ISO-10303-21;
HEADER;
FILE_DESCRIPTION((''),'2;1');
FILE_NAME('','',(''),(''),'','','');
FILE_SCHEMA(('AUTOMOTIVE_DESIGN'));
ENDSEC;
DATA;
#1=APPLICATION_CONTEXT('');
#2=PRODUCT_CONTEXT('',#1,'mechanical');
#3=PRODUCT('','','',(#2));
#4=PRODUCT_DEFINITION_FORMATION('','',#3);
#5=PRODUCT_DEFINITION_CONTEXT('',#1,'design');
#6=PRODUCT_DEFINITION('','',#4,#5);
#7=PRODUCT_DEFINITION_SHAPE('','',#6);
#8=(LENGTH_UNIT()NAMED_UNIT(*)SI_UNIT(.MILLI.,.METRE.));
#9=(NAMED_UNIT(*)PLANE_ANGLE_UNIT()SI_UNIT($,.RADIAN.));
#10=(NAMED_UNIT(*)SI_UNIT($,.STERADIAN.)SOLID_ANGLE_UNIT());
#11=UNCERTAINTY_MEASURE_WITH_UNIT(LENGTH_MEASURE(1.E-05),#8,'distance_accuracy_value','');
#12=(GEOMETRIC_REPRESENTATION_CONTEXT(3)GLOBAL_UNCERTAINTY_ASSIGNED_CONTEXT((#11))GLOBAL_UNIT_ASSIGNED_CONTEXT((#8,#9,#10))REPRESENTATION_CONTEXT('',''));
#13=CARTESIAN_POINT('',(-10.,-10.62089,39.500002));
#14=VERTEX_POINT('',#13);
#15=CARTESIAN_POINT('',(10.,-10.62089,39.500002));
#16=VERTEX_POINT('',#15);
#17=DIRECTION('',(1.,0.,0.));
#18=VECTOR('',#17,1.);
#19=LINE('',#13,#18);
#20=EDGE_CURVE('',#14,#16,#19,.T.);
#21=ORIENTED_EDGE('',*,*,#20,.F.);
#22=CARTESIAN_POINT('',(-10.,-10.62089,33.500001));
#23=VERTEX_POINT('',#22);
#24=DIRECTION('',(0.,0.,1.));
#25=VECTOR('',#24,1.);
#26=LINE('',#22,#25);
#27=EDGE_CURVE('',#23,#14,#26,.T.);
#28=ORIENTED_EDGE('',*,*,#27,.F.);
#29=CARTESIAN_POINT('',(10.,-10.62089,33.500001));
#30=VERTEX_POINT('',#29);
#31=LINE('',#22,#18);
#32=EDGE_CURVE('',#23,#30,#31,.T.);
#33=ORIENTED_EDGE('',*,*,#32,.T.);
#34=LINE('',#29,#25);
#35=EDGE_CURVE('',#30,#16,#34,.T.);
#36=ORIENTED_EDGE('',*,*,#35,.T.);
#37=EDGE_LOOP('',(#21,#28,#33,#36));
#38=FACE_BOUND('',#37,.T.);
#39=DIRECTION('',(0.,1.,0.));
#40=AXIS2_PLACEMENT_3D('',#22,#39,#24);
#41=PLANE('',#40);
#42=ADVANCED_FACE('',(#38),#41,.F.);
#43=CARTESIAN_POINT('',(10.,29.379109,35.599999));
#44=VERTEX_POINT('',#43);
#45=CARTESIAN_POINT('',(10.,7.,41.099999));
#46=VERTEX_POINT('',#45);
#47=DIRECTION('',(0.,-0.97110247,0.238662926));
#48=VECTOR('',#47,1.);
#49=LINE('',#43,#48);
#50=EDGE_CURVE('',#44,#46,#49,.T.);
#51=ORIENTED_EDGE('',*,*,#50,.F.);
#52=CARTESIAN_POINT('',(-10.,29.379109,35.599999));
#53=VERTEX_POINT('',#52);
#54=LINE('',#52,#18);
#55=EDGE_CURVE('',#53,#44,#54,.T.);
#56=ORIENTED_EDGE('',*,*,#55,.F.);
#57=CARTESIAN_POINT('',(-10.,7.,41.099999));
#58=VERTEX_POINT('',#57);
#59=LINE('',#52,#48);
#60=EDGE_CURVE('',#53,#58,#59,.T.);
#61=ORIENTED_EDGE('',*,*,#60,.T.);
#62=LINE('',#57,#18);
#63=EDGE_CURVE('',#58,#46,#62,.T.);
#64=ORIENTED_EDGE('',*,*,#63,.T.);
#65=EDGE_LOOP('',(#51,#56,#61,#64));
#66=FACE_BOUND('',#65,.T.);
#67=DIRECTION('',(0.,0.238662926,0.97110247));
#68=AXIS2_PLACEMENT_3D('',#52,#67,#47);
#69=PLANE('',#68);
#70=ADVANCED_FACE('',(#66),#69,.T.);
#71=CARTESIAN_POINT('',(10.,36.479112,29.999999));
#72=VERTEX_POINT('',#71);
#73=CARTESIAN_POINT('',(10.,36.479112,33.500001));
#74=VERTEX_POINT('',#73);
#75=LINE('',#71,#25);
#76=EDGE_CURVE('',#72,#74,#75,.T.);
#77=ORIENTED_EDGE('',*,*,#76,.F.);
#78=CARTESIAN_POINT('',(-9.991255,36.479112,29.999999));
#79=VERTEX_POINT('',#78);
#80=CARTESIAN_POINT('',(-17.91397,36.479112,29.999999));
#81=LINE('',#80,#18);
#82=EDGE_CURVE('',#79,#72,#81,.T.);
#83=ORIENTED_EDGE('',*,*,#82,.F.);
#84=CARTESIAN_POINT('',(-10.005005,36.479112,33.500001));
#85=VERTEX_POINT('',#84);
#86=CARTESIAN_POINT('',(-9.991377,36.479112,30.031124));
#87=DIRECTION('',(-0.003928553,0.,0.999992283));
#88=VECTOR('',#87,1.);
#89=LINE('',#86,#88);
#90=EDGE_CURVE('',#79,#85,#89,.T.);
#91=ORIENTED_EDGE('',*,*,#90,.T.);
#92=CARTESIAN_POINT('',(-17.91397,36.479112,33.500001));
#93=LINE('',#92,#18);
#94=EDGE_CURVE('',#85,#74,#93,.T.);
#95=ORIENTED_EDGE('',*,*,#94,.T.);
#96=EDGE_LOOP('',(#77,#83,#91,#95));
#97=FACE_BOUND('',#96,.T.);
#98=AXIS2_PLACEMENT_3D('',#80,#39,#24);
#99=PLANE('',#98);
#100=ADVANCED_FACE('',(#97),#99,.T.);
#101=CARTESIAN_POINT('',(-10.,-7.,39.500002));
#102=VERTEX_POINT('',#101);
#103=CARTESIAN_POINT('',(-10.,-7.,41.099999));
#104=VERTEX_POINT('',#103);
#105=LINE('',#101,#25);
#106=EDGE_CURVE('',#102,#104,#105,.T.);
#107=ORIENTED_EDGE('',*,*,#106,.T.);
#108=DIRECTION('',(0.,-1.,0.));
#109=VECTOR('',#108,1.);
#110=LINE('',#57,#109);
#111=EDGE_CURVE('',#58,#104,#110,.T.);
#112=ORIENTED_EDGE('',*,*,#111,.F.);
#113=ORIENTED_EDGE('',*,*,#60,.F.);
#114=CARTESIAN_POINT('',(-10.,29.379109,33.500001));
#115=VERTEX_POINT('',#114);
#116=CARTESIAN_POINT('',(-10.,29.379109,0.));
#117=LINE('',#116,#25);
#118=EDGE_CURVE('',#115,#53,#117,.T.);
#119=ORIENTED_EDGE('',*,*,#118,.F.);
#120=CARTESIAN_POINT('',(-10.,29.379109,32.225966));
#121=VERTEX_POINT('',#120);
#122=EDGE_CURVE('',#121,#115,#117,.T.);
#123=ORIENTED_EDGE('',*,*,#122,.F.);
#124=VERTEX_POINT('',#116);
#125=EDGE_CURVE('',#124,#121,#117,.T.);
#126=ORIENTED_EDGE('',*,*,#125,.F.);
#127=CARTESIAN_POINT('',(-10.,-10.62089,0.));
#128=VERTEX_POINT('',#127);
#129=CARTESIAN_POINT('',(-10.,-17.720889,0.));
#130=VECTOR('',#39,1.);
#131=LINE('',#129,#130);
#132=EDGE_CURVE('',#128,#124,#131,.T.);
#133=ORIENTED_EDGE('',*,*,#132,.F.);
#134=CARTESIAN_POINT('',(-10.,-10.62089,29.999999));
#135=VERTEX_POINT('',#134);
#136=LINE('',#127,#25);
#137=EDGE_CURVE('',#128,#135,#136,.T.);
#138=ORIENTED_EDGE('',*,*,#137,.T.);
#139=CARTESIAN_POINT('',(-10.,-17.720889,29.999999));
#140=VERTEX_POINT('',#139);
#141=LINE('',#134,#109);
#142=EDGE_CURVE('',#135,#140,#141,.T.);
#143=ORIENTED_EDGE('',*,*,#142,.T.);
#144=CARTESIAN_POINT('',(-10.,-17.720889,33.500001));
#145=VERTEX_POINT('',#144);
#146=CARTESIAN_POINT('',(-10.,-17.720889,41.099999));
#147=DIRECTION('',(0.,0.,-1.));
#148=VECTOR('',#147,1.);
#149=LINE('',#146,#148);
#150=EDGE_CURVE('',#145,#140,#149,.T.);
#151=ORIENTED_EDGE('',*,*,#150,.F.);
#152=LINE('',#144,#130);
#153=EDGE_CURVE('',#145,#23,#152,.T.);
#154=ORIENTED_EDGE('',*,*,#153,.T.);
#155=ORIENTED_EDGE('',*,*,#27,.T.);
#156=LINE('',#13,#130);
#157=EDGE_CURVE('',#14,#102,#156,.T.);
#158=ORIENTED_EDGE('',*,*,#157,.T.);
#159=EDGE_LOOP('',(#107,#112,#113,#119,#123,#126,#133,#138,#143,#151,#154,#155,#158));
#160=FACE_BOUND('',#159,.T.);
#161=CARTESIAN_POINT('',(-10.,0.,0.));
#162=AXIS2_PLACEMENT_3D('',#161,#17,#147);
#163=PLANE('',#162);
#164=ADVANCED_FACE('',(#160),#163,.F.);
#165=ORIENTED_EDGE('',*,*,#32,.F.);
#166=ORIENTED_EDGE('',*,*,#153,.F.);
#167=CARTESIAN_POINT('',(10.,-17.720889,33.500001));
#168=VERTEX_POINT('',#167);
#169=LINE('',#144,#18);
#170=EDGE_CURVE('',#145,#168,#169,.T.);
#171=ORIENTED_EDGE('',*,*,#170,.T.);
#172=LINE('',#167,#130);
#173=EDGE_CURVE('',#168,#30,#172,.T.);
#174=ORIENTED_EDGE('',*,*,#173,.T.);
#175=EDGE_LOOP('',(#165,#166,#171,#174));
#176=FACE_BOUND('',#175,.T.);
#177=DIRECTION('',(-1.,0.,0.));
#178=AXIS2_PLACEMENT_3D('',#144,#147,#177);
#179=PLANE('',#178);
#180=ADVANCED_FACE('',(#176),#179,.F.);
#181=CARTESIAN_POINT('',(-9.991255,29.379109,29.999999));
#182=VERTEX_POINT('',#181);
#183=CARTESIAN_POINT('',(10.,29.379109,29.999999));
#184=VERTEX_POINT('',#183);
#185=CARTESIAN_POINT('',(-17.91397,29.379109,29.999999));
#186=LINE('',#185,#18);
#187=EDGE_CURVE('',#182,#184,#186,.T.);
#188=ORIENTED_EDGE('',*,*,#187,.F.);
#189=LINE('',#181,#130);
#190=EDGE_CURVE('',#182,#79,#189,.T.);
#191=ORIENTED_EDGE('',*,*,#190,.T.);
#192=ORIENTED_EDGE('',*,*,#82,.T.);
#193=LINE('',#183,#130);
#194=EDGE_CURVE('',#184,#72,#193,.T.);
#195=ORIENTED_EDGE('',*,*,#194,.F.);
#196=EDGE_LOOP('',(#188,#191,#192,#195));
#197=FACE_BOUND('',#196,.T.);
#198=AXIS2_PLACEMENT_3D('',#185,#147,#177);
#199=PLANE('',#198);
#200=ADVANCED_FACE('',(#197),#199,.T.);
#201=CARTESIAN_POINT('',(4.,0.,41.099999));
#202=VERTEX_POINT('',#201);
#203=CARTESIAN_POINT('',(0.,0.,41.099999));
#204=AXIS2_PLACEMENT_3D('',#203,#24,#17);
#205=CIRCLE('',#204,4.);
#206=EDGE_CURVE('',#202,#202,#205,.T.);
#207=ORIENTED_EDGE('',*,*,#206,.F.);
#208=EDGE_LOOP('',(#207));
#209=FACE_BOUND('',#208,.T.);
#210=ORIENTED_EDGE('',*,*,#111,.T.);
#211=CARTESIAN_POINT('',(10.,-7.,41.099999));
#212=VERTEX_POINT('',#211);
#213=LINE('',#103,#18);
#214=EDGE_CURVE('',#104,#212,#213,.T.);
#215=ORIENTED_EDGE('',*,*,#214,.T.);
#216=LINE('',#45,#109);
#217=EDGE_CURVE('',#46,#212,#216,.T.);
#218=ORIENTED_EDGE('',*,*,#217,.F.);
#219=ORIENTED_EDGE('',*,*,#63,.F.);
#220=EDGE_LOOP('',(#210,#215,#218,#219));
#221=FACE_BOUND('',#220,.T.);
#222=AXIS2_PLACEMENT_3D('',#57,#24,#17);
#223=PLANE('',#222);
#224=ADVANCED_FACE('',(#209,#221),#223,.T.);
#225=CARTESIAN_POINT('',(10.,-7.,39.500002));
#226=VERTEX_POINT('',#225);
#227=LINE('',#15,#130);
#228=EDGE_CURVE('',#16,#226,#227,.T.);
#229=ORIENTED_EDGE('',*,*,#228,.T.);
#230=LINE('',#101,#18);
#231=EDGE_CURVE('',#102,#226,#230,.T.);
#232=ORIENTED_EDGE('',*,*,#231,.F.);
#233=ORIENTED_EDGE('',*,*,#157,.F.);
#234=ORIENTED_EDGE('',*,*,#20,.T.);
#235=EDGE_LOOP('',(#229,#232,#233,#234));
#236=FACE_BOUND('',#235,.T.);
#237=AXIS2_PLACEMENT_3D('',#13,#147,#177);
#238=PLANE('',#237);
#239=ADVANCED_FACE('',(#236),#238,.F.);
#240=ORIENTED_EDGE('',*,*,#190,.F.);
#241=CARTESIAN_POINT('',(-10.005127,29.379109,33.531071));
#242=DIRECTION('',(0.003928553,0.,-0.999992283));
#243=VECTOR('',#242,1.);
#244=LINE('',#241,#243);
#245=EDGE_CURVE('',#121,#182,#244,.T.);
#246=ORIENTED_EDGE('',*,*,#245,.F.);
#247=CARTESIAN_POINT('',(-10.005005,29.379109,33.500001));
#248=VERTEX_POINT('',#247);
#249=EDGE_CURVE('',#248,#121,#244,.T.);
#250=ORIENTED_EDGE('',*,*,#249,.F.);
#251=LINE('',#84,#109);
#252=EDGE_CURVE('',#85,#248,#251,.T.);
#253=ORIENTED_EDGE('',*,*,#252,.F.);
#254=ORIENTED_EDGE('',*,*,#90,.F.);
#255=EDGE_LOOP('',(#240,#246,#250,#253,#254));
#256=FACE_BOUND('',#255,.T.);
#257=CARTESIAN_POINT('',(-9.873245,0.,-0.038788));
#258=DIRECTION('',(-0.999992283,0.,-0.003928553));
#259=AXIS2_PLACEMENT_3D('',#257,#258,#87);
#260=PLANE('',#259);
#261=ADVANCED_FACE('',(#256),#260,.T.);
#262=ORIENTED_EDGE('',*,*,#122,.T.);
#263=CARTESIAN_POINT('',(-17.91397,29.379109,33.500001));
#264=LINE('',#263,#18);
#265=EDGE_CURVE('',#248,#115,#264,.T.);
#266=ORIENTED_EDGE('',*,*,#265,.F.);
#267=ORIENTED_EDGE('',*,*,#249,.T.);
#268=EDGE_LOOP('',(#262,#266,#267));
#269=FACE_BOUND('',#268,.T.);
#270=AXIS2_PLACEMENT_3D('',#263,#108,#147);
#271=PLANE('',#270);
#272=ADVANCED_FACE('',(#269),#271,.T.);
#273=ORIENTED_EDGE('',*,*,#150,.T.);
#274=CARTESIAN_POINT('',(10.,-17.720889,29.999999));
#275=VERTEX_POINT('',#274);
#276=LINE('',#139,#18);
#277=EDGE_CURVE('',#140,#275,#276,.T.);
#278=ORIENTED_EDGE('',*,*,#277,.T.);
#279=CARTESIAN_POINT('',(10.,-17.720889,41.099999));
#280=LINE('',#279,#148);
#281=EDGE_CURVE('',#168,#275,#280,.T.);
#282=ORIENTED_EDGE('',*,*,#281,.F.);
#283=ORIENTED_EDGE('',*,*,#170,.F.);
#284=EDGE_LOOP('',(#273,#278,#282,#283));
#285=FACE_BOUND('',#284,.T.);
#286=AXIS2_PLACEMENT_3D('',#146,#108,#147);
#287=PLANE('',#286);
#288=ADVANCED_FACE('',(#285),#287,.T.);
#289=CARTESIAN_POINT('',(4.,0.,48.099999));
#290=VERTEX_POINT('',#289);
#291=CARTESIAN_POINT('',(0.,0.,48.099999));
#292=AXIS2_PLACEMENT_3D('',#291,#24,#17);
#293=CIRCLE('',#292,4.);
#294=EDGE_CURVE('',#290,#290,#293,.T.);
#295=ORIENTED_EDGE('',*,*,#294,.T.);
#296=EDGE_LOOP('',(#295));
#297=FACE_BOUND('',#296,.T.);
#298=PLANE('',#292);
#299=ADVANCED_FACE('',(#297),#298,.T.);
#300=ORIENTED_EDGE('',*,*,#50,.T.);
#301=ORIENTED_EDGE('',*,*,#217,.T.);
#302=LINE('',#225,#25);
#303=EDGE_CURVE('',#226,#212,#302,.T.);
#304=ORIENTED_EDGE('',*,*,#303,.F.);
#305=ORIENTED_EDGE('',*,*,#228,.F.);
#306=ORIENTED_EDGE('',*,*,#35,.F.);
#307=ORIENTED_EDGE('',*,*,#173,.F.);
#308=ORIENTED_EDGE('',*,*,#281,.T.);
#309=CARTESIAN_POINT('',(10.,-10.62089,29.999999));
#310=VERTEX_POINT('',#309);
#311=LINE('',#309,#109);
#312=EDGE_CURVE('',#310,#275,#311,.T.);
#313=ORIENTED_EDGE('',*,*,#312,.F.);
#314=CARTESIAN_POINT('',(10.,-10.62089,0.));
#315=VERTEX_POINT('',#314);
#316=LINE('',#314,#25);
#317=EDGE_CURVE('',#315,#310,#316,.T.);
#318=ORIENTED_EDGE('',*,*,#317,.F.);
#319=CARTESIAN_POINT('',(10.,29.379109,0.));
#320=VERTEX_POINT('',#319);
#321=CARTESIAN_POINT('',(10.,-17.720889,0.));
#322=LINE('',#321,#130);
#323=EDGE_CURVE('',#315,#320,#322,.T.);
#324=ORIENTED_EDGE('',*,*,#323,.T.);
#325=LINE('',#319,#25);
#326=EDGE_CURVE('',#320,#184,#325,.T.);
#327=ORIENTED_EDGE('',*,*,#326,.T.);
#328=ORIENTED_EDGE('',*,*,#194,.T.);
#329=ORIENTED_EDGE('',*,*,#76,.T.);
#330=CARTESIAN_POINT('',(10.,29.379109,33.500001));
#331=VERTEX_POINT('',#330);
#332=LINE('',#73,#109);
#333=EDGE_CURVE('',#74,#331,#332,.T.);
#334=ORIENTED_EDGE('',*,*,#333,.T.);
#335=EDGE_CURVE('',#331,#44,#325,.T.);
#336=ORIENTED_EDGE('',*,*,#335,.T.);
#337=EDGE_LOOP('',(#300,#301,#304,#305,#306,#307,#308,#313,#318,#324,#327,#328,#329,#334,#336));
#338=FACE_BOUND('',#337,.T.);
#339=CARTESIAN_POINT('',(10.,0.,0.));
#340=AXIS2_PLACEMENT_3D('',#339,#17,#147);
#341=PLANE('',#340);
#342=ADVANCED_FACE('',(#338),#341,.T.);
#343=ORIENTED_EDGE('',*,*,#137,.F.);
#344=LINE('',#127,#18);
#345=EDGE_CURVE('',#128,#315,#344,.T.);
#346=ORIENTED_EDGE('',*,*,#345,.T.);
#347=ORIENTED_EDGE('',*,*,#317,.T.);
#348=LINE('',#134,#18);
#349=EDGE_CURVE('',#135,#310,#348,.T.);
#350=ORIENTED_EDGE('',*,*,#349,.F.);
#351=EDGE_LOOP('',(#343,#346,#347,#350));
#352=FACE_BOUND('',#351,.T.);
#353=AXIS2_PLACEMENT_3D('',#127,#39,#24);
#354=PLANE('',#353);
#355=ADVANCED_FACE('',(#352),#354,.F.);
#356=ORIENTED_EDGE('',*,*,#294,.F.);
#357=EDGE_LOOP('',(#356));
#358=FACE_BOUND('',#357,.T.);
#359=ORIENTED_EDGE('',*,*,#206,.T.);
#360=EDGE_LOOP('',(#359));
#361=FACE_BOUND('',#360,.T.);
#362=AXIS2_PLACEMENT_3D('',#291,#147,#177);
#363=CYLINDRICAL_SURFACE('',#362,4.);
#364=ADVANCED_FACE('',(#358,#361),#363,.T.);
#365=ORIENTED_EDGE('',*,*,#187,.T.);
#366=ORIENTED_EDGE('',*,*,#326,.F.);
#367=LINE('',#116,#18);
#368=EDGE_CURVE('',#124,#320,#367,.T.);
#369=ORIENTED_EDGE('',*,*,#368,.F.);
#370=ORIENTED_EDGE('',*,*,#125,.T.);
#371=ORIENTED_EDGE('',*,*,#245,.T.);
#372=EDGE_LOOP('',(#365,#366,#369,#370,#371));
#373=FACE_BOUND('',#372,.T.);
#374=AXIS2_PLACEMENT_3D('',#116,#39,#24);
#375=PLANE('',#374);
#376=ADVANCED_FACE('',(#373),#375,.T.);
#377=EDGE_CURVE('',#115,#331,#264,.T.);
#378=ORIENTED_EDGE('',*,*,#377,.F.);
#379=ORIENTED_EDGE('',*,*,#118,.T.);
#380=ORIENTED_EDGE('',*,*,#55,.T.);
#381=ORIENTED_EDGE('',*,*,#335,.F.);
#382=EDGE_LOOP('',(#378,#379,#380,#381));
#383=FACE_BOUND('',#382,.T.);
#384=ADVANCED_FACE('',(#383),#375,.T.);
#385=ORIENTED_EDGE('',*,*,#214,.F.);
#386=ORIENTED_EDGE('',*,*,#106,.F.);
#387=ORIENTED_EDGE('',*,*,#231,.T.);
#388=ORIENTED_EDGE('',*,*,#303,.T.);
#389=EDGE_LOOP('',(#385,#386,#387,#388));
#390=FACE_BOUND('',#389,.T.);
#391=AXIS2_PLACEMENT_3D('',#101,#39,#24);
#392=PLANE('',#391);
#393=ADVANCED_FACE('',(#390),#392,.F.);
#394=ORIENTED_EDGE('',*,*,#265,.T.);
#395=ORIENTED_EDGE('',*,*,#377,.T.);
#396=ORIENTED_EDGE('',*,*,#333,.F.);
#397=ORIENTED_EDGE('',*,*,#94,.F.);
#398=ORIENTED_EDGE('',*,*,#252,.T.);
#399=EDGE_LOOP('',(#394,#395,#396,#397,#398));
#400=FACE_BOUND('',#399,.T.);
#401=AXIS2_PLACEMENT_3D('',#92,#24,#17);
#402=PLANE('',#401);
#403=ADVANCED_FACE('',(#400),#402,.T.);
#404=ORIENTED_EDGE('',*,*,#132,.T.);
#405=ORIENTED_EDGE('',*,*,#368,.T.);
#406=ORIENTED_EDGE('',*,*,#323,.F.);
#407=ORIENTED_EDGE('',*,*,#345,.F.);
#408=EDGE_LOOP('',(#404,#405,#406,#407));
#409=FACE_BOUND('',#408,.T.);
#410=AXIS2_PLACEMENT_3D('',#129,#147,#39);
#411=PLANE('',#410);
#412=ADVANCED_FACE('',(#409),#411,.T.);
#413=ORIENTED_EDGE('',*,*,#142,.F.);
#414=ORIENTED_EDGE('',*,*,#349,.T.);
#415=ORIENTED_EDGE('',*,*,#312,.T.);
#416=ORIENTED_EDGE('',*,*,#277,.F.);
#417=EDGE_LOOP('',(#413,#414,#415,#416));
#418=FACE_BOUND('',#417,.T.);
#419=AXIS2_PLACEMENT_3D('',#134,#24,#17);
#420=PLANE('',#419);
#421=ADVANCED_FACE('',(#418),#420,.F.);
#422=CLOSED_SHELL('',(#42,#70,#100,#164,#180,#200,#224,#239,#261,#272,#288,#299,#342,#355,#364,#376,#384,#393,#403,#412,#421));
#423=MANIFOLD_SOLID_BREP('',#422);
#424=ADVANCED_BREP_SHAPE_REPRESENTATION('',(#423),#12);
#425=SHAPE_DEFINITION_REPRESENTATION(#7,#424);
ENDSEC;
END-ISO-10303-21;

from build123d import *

# Parameters (mm, degrees)
BOSS_EXTRUDE1_DEPTH = 19.999999553
SKETCH2_W           = 29.999999329
SKETCH2_H           = 7.099999115
CUT_EXTRUDE1_DEPTH  = 55.335457568
SKETCH3_W           = 7.599998266
SKETCH3_H           = 7.099999115
CUT_EXTRUDE2_DEPTH  = 55.335457568
SKETCH4_W           = 1.599997282
SKETCH4_H           = 3.620889969
CUT_EXTRUDE3_DEPTH  = 55.335457568
BOSS_EXTRUDE2_REACH = 56.335
SKETCH6_W           = 3.500001505
SKETCH6_H           = 7.10000284
SKETCH7_R           = 4
BOSS_EXTRUDE3_DEPTH = 7
MOVE_FACE2_BY       = 6
MOVE_FACE3_BY       = 6


with BuildPart() as part:
    # Sketch1 → Boss-Extrude1 (new body)
    with BuildSketch(Plane(origin=(10, 0, 0), x_dir=(0, 0, -1), z_dir=(1, 0, 0))):
        Polygon((0, 29.379108921), (-35.59999913, 29.379108921), (-41.0999991, 7.000000216), (-41.0999991, -17.7208893), (0, -17.7208893), align=None)
    extrude(amount=-BOSS_EXTRUDE1_DEPTH)

    # Sketch2 → Cut-Extrude1 (cut, through all)
    with BuildSketch(Plane(origin=(10, 0, 0), x_dir=(0, 0, -1), z_dir=(1, 0, 0))):
        with Locations((-14.999999665, -14.170889742)):
            Rectangle(SKETCH2_W, SKETCH2_H)
    extrude(amount=-CUT_EXTRUDE1_DEPTH, mode=Mode.SUBTRACT)

    # Sketch3 → Cut-Extrude2 (cut, through all)
    with BuildSketch(Plane(origin=(10, 0, 0), x_dir=(0, 0, -1), z_dir=(1, 0, 0))):
        with Locations((-37.299999967, -14.170889742)):
            Rectangle(SKETCH3_W, SKETCH3_H)
    extrude(amount=-CUT_EXTRUDE2_DEPTH, mode=Mode.SUBTRACT)

    # Sketch4 → Cut-Extrude3 (cut, through all)
    with BuildSketch(Plane(origin=(10, 0, 0), x_dir=(0, 0, -1), z_dir=(1, 0, 0))):
        with Locations((-40.300000459, -8.810445201)):
            Rectangle(SKETCH4_W, SKETCH4_H)
    extrude(amount=-CUT_EXTRUDE3_DEPTH, mode=Mode.SUBTRACT)

    # Boss-Extrude2: up to this plane
    boss_extrude2_end = Plane(origin=(-9.873244788, 0, -0.038787862), z_dir=(-0.9999922832070416, 0, -0.003928552706520363))
    # Sketch6 → Boss-Extrude2 (add, up to the surface)
    with BuildSketch(Plane(origin=(10, 0, 0), x_dir=(0, 0, -1), z_dir=(1, 0, 0)), mode=Mode.PRIVATE) as boss_extrude2_sk1:
        with Locations((-31.750000082, 32.929110341)):
            Rectangle(SKETCH6_W, SKETCH6_H)
    boss_extrude2_tool1 = split(extrude(boss_extrude2_sk1.sketch, amount=-BOSS_EXTRUDE2_REACH, mode=Mode.PRIVATE), bisect_by=boss_extrude2_end, keep=Keep.BOTH, mode=Mode.PRIVATE)
    add(boss_extrude2_tool1.solids().sort_by_distance((10, 32.92911, 31.75))[0])

    # Sketch7 → Boss-Extrude3 (add)
    with BuildSketch(Plane.XY.offset(41.0999991)):
        Circle(SKETCH7_R)
    extrude(amount=BOSS_EXTRUDE3_DEPTH)

    # Move Face2: a face moved outward by 6.0
    extrude(part.faces().sort_by_distance((0, 0, 48.0999991))[0], amount=MOVE_FACE2_BY, dir=(0, 0, 1))

    # Move Face3: a face moved inward by 6.0
    extrude(part.faces().sort_by_distance((0, 0, 54.0999991))[0], amount=MOVE_FACE3_BY, dir=(0, 0, -1), mode=Mode.SUBTRACT)


solid = part.part
